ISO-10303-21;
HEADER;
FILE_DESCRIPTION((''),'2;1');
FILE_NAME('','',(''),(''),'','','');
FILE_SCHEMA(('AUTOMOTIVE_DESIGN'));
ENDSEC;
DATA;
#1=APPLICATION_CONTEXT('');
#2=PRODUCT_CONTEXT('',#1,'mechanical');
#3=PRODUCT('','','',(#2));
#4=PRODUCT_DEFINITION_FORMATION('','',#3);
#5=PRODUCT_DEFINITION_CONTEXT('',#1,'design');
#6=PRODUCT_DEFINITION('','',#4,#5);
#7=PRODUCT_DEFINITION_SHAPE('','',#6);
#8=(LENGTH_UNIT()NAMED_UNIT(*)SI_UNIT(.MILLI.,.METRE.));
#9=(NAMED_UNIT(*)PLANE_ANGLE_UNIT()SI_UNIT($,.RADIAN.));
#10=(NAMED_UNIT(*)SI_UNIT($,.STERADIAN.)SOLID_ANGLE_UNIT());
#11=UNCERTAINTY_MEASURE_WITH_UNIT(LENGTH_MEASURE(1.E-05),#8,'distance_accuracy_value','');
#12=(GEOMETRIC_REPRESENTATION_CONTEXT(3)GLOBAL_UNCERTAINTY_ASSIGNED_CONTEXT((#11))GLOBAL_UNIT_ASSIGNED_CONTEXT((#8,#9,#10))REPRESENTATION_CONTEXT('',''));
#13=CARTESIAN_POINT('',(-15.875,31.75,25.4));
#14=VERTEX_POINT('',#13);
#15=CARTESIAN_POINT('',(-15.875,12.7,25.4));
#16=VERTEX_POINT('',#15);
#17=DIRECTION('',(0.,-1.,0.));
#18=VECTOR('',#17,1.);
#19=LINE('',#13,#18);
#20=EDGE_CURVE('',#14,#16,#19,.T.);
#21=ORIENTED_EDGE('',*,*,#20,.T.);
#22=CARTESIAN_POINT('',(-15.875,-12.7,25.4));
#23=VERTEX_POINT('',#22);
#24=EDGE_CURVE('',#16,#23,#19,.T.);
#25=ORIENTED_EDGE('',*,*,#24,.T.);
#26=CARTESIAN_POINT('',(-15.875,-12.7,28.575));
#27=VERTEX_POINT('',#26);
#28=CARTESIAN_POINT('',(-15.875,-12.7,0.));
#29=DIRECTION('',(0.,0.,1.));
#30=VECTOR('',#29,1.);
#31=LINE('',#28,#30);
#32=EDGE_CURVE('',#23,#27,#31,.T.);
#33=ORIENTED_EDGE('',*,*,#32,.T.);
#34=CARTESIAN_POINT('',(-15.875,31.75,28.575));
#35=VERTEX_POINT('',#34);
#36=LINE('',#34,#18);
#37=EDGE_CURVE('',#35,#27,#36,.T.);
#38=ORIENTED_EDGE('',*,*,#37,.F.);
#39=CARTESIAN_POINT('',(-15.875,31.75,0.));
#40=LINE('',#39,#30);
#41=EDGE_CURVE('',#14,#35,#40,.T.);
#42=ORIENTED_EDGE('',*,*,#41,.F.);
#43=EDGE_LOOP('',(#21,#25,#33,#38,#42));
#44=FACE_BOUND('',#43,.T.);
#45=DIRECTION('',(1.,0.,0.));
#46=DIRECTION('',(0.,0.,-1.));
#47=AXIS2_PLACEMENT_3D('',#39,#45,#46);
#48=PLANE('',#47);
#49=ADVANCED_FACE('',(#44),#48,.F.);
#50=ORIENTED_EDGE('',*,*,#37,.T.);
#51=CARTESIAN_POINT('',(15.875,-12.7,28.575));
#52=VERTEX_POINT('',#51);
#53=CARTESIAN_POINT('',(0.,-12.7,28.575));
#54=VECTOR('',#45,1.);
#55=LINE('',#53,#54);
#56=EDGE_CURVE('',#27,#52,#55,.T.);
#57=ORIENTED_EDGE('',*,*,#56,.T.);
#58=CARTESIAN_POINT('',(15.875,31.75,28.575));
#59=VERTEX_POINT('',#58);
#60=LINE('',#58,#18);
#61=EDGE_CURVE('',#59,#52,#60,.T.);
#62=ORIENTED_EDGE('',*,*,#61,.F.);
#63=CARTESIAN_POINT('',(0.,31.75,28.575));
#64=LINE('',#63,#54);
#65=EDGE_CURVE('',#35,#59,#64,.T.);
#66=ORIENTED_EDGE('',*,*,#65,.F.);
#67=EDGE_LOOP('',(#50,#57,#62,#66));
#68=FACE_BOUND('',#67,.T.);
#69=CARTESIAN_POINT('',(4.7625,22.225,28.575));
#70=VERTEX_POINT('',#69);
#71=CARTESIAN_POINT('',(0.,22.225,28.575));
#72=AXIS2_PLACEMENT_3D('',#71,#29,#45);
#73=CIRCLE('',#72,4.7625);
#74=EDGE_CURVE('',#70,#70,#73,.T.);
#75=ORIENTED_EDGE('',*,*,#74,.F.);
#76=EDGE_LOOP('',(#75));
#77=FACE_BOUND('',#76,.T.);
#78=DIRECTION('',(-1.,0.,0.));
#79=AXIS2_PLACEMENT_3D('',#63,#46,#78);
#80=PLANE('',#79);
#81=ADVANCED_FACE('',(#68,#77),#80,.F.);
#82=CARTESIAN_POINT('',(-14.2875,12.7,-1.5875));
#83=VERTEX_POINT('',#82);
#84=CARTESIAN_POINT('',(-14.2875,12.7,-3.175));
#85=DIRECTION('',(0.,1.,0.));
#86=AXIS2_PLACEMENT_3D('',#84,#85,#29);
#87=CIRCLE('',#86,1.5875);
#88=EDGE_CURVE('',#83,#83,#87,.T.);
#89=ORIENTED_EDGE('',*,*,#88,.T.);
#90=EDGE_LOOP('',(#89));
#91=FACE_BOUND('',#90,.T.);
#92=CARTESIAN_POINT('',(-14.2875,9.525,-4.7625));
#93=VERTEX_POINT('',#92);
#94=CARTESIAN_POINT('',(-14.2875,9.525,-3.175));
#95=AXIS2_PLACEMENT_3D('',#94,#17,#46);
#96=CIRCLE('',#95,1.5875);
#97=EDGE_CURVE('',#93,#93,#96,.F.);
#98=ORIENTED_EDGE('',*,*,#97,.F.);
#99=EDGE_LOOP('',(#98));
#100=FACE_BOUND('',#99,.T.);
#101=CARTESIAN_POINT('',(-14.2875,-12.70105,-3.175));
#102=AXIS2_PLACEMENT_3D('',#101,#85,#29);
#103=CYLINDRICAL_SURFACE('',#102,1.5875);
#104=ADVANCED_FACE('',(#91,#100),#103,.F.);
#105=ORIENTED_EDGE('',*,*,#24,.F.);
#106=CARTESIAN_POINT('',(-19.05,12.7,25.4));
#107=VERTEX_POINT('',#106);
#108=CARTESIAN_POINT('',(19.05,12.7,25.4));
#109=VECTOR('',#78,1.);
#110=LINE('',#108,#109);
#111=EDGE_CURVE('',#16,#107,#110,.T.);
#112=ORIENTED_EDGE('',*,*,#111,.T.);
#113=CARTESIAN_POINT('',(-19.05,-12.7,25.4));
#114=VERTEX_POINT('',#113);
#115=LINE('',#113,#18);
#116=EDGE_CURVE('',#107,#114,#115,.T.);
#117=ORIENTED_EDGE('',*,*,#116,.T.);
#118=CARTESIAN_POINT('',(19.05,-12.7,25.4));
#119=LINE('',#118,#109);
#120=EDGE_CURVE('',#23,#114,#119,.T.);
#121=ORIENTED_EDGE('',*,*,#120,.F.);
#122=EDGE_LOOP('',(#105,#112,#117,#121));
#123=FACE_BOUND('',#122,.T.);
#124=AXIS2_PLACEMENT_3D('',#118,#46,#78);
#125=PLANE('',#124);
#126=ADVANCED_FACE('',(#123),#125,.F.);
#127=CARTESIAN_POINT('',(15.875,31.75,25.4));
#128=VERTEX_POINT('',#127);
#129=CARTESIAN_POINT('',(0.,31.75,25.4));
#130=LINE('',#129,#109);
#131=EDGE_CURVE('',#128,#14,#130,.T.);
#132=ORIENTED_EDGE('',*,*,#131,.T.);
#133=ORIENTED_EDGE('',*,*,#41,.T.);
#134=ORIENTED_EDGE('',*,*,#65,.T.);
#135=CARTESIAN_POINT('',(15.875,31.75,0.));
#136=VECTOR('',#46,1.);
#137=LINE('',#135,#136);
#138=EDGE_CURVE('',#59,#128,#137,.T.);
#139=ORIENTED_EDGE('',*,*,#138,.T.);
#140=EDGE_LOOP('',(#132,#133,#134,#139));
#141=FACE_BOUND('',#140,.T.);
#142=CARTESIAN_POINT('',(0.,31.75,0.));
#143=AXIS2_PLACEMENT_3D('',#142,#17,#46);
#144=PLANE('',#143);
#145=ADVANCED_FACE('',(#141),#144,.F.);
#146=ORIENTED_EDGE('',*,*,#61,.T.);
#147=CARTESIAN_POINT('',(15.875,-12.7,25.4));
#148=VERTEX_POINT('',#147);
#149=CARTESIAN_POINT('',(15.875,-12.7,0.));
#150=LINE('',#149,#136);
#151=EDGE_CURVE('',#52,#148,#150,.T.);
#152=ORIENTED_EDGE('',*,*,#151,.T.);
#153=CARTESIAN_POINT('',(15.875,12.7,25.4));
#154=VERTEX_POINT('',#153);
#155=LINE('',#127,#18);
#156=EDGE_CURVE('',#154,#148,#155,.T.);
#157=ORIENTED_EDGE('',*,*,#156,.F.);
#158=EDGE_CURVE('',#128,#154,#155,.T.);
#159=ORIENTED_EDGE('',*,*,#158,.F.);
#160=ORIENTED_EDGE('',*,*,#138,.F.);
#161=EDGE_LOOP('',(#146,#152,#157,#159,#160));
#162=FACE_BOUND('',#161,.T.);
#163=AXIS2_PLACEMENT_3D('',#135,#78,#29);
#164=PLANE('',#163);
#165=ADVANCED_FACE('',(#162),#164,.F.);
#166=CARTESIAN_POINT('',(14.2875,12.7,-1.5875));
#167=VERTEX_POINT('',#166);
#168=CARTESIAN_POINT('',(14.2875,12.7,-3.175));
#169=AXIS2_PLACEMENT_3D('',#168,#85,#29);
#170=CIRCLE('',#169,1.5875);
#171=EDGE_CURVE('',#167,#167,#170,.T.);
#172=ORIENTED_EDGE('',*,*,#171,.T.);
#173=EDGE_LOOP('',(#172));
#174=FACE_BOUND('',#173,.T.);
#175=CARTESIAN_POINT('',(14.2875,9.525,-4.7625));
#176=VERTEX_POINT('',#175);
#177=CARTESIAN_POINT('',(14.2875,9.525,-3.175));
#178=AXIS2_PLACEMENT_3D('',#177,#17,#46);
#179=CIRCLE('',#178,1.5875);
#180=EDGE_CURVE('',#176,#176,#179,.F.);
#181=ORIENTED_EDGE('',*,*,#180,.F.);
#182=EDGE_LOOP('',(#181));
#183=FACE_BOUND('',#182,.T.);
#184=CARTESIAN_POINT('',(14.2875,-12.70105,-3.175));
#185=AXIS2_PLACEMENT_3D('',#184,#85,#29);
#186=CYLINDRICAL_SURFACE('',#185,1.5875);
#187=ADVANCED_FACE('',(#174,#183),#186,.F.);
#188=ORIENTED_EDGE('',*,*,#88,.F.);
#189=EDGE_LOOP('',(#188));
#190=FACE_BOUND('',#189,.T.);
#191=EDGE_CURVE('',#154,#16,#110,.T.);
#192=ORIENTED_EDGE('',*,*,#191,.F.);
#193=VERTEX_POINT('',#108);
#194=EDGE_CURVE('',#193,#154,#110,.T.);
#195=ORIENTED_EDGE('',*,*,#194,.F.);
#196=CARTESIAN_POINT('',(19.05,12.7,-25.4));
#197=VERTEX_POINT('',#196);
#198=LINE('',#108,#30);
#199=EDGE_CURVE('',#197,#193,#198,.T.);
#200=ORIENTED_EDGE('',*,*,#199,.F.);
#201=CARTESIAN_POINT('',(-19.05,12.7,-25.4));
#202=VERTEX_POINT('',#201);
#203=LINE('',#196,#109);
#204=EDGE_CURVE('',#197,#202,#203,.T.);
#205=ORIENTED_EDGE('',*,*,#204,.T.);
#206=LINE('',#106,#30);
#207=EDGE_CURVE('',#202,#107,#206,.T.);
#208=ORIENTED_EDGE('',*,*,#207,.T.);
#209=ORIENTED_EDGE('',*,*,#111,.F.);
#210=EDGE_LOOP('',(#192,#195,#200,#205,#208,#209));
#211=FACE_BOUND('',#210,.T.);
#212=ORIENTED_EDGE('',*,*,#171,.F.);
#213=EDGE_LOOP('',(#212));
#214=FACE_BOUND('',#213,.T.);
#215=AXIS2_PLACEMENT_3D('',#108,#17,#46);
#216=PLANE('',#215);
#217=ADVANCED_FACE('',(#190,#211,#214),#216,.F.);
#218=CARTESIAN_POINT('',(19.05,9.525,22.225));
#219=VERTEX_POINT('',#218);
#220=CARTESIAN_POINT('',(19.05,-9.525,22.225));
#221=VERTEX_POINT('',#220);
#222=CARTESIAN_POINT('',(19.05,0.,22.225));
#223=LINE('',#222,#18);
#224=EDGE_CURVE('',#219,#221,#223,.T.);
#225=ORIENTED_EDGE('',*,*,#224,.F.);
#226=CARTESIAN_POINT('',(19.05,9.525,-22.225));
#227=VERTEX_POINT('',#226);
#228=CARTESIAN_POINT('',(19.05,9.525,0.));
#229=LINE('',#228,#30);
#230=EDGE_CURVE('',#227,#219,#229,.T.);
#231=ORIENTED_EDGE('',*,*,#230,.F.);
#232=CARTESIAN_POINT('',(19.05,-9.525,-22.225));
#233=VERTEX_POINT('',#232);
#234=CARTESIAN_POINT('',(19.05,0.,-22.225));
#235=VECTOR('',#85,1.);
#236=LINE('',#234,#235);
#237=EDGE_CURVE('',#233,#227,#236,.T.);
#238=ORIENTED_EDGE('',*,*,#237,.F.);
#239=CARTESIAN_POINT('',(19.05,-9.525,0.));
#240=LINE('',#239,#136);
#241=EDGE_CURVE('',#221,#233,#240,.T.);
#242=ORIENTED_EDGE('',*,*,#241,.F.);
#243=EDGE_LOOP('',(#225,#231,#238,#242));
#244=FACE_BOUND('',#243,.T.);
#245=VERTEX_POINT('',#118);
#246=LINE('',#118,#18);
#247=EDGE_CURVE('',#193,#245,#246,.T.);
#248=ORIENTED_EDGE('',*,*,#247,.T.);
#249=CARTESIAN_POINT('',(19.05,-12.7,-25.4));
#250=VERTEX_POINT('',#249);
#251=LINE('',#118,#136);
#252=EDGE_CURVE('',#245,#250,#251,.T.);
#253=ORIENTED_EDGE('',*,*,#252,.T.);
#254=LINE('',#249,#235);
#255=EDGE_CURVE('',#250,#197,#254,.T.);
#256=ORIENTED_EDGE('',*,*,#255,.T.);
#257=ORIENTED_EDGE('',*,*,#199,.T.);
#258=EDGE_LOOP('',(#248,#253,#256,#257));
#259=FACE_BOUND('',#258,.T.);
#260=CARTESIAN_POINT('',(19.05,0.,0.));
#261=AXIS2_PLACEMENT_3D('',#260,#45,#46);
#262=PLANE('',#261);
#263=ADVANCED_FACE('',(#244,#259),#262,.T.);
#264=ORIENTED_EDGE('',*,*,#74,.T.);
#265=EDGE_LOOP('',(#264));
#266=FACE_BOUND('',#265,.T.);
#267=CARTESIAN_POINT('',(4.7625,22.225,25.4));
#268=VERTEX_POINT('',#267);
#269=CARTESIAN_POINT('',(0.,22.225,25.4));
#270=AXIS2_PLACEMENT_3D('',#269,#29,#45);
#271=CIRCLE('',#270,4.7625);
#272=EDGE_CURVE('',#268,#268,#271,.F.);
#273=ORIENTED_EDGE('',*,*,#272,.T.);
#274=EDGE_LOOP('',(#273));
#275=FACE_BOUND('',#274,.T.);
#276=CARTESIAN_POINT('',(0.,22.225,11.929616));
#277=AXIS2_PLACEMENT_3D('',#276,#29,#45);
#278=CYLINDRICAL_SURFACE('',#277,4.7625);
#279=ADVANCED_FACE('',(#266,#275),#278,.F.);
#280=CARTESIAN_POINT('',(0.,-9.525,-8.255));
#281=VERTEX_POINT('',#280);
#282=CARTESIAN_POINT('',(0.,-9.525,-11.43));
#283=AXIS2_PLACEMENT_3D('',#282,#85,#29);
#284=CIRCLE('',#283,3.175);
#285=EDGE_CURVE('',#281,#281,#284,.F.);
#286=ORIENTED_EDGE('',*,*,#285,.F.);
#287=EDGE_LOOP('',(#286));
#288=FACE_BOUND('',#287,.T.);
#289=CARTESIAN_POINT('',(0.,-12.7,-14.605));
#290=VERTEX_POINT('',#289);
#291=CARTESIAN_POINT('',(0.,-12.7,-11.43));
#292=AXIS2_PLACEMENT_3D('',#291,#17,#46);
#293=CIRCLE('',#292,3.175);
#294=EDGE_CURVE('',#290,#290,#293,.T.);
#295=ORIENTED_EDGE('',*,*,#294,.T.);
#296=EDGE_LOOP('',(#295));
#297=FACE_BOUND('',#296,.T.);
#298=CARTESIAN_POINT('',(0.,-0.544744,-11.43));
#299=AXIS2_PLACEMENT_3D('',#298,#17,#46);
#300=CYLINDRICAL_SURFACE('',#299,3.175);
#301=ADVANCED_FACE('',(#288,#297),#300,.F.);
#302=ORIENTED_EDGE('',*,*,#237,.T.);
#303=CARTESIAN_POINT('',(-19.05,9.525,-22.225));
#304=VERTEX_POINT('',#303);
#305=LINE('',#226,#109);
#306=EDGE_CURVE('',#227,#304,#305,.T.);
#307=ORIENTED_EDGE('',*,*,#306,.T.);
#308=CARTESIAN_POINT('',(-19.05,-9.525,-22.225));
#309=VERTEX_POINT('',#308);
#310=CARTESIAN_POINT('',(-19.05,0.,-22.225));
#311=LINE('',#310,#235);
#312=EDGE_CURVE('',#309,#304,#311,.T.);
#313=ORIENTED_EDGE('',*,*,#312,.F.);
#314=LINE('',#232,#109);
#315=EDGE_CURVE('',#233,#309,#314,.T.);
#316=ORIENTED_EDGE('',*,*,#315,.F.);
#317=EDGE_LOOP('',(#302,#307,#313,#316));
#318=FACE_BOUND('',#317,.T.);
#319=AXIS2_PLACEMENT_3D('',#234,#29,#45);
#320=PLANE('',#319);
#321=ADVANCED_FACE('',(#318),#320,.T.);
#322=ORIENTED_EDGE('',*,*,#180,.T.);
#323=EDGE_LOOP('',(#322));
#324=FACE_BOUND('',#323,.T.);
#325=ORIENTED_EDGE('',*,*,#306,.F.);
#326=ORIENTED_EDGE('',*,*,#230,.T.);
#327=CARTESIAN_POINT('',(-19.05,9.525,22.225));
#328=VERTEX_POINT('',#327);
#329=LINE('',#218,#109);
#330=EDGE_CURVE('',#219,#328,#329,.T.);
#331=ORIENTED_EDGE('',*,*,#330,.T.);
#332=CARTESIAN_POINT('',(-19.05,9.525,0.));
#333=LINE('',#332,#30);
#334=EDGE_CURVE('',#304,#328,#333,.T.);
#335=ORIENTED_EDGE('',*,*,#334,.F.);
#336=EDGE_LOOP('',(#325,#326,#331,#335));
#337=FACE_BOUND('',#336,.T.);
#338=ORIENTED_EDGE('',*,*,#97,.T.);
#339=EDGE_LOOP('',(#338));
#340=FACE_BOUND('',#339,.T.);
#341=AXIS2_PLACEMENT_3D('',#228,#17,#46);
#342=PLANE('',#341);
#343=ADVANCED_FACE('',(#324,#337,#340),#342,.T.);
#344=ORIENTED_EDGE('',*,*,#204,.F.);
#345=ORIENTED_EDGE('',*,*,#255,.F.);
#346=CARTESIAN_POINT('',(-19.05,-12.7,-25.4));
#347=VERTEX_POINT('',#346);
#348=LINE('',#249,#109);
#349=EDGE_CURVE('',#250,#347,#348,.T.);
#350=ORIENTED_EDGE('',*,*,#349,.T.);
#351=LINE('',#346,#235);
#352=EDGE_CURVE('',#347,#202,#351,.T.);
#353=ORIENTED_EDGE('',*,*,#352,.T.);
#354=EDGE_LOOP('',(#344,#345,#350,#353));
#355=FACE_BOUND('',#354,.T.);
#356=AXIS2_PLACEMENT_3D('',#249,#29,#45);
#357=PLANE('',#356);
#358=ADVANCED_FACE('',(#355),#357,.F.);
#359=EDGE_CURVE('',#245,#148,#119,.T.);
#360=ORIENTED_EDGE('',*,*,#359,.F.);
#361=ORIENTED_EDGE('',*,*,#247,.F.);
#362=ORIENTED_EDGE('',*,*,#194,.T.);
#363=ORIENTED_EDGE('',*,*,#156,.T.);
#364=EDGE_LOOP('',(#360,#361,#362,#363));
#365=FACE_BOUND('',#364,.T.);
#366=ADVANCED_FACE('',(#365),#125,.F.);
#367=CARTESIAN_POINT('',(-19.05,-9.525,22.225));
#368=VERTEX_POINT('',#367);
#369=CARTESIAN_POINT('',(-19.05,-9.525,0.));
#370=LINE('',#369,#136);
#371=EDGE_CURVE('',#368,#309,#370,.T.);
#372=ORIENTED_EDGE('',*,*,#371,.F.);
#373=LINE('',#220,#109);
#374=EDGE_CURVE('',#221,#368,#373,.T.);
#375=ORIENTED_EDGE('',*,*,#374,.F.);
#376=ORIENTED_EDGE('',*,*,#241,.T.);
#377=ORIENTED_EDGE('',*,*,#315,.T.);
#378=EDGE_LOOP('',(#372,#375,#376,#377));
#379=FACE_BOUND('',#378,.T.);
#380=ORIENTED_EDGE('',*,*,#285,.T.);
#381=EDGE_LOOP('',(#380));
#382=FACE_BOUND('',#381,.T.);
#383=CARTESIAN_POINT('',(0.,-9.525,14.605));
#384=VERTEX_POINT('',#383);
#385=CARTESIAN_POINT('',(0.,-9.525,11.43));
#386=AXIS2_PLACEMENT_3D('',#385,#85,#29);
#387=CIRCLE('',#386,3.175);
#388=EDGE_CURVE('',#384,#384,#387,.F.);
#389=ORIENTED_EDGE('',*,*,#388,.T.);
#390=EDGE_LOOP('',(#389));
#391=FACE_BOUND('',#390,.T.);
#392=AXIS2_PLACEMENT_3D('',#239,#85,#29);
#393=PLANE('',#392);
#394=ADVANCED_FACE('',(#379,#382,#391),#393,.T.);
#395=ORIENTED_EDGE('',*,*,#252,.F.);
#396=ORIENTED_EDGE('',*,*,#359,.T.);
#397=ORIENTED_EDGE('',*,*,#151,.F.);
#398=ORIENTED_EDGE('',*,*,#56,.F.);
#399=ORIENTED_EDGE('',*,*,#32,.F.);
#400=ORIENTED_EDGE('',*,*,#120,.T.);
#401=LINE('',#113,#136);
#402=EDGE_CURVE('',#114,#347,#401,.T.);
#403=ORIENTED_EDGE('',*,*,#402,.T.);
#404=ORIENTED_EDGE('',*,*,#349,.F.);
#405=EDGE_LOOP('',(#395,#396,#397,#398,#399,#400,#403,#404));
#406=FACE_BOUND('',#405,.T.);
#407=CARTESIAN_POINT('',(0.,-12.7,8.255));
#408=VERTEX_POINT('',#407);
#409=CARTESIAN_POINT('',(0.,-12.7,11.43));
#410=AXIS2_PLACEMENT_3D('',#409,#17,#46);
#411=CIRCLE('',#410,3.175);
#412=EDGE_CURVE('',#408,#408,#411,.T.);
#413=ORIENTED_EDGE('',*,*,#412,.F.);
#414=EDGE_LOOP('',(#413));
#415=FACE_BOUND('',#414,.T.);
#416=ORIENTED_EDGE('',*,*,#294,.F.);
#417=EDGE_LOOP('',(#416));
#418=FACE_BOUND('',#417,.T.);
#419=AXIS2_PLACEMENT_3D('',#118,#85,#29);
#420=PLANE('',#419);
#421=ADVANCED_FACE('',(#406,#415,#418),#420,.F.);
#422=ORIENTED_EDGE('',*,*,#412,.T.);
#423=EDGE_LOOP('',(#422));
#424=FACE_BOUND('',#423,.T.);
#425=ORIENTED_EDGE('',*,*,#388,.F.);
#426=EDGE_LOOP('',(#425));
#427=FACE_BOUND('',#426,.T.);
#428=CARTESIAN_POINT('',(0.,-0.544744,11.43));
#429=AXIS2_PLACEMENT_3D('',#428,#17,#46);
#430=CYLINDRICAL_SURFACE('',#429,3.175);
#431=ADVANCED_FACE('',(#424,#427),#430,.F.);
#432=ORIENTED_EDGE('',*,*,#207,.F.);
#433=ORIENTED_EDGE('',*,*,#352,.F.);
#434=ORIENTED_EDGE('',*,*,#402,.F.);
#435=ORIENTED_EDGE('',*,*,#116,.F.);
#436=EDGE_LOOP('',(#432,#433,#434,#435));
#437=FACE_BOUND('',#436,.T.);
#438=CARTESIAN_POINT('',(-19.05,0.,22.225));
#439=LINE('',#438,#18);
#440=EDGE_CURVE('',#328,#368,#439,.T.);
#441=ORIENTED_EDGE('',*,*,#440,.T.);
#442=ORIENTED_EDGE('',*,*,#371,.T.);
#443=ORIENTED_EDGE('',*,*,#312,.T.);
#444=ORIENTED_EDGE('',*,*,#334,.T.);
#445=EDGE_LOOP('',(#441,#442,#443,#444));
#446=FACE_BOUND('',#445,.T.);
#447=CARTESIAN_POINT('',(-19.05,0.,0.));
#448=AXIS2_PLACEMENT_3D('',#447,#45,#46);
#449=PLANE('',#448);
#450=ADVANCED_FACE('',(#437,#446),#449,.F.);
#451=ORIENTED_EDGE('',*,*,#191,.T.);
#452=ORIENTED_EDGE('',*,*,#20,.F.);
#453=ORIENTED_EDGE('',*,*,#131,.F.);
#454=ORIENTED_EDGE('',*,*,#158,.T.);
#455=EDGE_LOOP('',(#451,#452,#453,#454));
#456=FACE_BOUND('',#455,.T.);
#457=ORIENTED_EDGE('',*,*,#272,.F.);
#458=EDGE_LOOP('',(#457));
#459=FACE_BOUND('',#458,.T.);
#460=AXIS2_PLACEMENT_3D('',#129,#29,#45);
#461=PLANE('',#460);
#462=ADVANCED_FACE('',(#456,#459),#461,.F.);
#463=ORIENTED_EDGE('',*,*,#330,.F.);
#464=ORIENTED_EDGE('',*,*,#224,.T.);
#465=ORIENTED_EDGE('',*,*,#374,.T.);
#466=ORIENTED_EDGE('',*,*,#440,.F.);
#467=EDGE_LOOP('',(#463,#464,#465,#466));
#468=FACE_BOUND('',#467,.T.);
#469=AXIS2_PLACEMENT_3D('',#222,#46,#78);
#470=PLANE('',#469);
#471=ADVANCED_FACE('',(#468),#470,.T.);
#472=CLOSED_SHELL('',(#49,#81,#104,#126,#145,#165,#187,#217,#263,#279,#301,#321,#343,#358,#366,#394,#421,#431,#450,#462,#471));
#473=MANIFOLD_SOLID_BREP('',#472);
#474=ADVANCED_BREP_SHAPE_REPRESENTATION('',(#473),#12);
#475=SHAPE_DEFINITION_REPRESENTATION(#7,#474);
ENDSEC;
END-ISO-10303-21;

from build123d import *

# Parameters (mm, degrees)
SKETCH1_W           = 50.8
SKETCH1_H           = 25.4
SKETCH1_W_2         = 44.45
SKETCH1_H_2         = 19.05
EXTRUDE_THIN1_DEPTH = 19.05
SKETCH2_W           = 31.75
SKETCH2_H           = 3.175
BOSS_EXTRUDE1_DEPTH = 44.45
CUT_EXTRUDE1_REACH  = 55.975
SKETCH3_R           = 4.7625
CUT_EXTRUDE2_REACH  = 27.4
SKETCH4_R           = 1.5875
SKETCH8_R           = 3.175
CUT_EXTRUDE4_DEPTH  = 3.175


with BuildPart() as part:
    # Sketch1 → Extrude-Thin1 (new body, symmetric)
    with BuildSketch(Plane(origin=(0, 0, 0), x_dir=(0, 0, -1), z_dir=(1, 0, 0))):
        Rectangle(SKETCH1_W, SKETCH1_H)
        Rectangle(SKETCH1_W_2, SKETCH1_H_2, mode=Mode.SUBTRACT)
    extrude(amount=EXTRUDE_THIN1_DEPTH, both=True)

    # Sketch2 → Boss-Extrude1 (add)
    with BuildSketch(Plane.XZ.offset(12.7)):
        with Locations((0, 26.9875)):
            Rectangle(SKETCH2_W, SKETCH2_H)
    extrude(amount=-BOSS_EXTRUDE1_DEPTH)

    # Sketch3 → Cut-Extrude1 (cut, up to next)
    with BuildSketch(Plane.XY.offset(28.575), mode=Mode.PRIVATE) as cut_extrude1_sk1:
        with Locations((0, 22.225)):
            Circle(SKETCH3_R)
    cut_extrude1_tool1 = extrude(cut_extrude1_sk1.sketch, amount=-CUT_EXTRUDE1_REACH, mode=Mode.PRIVATE) & part.part
    add(cut_extrude1_tool1.solids().sort_by_distance((0, 22.225, 28.575))[0], mode=Mode.SUBTRACT)

    # Sketch4 → Cut-Extrude2 (cut, up to next)
    with BuildSketch(Plane(origin=(0, 12.7, 0), x_dir=(1, 0, 0), z_dir=(0, 1, 0)), mode=Mode.PRIVATE) as cut_extrude2_sk1:
        with Locations((14.2875, 3.175)):
            Circle(SKETCH4_R)
    cut_extrude2_tool1 = extrude(cut_extrude2_sk1.sketch, amount=-CUT_EXTRUDE2_REACH, mode=Mode.PRIVATE) & part.part
    add(cut_extrude2_tool1.solids().sort_by_distance((14.2875, 12.7, -3.175))[0], mode=Mode.SUBTRACT)
    # Sketch4 → Cut-Extrude2 (cut, up to next)
    with BuildSketch(Plane(origin=(0, 12.7, 0), x_dir=(1, 0, 0), z_dir=(0, 1, 0)), mode=Mode.PRIVATE) as cut_extrude2_sk2:
        with Locations((-14.2875, 3.175)):
            Circle(SKETCH4_R)
    cut_extrude2_tool2 = extrude(cut_extrude2_sk2.sketch, amount=-CUT_EXTRUDE2_REACH, mode=Mode.PRIVATE) & part.part
    add(cut_extrude2_tool2.solids().sort_by_distance((-14.2875, 12.7, -3.175))[0], mode=Mode.SUBTRACT)

    # Sketch8 → Cut-Extrude4 (cut)
    with BuildSketch(Plane.XZ.offset(12.7)):
        with Locations((0, -11.43)):
            Circle(SKETCH8_R)
        with Locations((0, 11.43)):
            Circle(SKETCH8_R)
    extrude(amount=-CUT_EXTRUDE4_DEPTH, mode=Mode.SUBTRACT)


solid = part.part
